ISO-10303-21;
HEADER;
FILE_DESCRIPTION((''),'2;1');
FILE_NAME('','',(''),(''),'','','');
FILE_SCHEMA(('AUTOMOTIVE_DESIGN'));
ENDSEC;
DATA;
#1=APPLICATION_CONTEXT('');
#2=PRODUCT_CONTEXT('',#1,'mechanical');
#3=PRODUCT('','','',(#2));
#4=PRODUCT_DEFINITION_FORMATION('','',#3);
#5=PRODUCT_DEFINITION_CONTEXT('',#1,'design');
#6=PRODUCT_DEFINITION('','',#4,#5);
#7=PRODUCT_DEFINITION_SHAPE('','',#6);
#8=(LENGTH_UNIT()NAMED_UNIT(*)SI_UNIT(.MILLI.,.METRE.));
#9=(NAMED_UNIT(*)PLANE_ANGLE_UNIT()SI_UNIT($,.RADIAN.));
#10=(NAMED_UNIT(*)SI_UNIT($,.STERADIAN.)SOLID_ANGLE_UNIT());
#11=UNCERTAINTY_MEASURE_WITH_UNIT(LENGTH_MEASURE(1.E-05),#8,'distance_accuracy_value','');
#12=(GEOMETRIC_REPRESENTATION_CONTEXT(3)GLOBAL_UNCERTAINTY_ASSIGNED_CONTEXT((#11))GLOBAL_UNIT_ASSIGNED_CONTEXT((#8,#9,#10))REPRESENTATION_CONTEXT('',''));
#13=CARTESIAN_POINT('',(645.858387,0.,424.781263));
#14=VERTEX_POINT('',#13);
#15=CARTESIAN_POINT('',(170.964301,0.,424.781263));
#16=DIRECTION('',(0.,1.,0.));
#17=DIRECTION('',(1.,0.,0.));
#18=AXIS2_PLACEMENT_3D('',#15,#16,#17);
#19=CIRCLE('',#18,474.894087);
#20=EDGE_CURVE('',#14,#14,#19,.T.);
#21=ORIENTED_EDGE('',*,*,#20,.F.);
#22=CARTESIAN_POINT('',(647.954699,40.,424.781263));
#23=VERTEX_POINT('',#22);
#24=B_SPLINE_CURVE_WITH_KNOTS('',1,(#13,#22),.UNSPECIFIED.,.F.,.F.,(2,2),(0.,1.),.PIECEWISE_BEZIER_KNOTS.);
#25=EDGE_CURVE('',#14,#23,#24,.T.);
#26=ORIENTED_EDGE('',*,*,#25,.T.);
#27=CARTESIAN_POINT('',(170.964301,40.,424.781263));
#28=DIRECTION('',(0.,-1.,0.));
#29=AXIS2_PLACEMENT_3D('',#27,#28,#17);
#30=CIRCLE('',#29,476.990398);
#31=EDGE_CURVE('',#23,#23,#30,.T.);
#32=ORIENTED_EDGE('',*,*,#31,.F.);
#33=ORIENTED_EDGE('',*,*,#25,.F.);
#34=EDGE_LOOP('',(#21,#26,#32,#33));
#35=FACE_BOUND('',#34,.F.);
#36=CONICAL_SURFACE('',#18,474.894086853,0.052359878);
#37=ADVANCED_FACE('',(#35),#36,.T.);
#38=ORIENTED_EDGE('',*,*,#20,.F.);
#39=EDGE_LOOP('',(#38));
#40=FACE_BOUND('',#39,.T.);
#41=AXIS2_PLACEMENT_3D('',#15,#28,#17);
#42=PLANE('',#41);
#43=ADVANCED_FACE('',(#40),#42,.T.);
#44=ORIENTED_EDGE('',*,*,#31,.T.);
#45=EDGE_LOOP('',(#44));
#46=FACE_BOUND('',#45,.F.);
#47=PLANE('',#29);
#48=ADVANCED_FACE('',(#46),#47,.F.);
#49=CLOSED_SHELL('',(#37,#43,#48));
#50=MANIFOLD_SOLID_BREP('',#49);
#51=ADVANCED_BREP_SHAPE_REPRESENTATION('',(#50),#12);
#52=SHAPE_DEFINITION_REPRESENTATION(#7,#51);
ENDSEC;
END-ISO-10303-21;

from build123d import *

# Parameters (mm, degrees)
F0_R     = 474.8940868533
F1_DEPTH = 40
F1_TAPER = -3


with BuildPart() as f1:
    # F0 (on Front) → F1 (new body)
    with BuildSketch(Plane.XZ):
        with Locations((170.9643006325, 424.7812628746)):
            Circle(F0_R)
    extrude(amount=-F1_DEPTH, taper=F1_TAPER)


solid = f1.part
